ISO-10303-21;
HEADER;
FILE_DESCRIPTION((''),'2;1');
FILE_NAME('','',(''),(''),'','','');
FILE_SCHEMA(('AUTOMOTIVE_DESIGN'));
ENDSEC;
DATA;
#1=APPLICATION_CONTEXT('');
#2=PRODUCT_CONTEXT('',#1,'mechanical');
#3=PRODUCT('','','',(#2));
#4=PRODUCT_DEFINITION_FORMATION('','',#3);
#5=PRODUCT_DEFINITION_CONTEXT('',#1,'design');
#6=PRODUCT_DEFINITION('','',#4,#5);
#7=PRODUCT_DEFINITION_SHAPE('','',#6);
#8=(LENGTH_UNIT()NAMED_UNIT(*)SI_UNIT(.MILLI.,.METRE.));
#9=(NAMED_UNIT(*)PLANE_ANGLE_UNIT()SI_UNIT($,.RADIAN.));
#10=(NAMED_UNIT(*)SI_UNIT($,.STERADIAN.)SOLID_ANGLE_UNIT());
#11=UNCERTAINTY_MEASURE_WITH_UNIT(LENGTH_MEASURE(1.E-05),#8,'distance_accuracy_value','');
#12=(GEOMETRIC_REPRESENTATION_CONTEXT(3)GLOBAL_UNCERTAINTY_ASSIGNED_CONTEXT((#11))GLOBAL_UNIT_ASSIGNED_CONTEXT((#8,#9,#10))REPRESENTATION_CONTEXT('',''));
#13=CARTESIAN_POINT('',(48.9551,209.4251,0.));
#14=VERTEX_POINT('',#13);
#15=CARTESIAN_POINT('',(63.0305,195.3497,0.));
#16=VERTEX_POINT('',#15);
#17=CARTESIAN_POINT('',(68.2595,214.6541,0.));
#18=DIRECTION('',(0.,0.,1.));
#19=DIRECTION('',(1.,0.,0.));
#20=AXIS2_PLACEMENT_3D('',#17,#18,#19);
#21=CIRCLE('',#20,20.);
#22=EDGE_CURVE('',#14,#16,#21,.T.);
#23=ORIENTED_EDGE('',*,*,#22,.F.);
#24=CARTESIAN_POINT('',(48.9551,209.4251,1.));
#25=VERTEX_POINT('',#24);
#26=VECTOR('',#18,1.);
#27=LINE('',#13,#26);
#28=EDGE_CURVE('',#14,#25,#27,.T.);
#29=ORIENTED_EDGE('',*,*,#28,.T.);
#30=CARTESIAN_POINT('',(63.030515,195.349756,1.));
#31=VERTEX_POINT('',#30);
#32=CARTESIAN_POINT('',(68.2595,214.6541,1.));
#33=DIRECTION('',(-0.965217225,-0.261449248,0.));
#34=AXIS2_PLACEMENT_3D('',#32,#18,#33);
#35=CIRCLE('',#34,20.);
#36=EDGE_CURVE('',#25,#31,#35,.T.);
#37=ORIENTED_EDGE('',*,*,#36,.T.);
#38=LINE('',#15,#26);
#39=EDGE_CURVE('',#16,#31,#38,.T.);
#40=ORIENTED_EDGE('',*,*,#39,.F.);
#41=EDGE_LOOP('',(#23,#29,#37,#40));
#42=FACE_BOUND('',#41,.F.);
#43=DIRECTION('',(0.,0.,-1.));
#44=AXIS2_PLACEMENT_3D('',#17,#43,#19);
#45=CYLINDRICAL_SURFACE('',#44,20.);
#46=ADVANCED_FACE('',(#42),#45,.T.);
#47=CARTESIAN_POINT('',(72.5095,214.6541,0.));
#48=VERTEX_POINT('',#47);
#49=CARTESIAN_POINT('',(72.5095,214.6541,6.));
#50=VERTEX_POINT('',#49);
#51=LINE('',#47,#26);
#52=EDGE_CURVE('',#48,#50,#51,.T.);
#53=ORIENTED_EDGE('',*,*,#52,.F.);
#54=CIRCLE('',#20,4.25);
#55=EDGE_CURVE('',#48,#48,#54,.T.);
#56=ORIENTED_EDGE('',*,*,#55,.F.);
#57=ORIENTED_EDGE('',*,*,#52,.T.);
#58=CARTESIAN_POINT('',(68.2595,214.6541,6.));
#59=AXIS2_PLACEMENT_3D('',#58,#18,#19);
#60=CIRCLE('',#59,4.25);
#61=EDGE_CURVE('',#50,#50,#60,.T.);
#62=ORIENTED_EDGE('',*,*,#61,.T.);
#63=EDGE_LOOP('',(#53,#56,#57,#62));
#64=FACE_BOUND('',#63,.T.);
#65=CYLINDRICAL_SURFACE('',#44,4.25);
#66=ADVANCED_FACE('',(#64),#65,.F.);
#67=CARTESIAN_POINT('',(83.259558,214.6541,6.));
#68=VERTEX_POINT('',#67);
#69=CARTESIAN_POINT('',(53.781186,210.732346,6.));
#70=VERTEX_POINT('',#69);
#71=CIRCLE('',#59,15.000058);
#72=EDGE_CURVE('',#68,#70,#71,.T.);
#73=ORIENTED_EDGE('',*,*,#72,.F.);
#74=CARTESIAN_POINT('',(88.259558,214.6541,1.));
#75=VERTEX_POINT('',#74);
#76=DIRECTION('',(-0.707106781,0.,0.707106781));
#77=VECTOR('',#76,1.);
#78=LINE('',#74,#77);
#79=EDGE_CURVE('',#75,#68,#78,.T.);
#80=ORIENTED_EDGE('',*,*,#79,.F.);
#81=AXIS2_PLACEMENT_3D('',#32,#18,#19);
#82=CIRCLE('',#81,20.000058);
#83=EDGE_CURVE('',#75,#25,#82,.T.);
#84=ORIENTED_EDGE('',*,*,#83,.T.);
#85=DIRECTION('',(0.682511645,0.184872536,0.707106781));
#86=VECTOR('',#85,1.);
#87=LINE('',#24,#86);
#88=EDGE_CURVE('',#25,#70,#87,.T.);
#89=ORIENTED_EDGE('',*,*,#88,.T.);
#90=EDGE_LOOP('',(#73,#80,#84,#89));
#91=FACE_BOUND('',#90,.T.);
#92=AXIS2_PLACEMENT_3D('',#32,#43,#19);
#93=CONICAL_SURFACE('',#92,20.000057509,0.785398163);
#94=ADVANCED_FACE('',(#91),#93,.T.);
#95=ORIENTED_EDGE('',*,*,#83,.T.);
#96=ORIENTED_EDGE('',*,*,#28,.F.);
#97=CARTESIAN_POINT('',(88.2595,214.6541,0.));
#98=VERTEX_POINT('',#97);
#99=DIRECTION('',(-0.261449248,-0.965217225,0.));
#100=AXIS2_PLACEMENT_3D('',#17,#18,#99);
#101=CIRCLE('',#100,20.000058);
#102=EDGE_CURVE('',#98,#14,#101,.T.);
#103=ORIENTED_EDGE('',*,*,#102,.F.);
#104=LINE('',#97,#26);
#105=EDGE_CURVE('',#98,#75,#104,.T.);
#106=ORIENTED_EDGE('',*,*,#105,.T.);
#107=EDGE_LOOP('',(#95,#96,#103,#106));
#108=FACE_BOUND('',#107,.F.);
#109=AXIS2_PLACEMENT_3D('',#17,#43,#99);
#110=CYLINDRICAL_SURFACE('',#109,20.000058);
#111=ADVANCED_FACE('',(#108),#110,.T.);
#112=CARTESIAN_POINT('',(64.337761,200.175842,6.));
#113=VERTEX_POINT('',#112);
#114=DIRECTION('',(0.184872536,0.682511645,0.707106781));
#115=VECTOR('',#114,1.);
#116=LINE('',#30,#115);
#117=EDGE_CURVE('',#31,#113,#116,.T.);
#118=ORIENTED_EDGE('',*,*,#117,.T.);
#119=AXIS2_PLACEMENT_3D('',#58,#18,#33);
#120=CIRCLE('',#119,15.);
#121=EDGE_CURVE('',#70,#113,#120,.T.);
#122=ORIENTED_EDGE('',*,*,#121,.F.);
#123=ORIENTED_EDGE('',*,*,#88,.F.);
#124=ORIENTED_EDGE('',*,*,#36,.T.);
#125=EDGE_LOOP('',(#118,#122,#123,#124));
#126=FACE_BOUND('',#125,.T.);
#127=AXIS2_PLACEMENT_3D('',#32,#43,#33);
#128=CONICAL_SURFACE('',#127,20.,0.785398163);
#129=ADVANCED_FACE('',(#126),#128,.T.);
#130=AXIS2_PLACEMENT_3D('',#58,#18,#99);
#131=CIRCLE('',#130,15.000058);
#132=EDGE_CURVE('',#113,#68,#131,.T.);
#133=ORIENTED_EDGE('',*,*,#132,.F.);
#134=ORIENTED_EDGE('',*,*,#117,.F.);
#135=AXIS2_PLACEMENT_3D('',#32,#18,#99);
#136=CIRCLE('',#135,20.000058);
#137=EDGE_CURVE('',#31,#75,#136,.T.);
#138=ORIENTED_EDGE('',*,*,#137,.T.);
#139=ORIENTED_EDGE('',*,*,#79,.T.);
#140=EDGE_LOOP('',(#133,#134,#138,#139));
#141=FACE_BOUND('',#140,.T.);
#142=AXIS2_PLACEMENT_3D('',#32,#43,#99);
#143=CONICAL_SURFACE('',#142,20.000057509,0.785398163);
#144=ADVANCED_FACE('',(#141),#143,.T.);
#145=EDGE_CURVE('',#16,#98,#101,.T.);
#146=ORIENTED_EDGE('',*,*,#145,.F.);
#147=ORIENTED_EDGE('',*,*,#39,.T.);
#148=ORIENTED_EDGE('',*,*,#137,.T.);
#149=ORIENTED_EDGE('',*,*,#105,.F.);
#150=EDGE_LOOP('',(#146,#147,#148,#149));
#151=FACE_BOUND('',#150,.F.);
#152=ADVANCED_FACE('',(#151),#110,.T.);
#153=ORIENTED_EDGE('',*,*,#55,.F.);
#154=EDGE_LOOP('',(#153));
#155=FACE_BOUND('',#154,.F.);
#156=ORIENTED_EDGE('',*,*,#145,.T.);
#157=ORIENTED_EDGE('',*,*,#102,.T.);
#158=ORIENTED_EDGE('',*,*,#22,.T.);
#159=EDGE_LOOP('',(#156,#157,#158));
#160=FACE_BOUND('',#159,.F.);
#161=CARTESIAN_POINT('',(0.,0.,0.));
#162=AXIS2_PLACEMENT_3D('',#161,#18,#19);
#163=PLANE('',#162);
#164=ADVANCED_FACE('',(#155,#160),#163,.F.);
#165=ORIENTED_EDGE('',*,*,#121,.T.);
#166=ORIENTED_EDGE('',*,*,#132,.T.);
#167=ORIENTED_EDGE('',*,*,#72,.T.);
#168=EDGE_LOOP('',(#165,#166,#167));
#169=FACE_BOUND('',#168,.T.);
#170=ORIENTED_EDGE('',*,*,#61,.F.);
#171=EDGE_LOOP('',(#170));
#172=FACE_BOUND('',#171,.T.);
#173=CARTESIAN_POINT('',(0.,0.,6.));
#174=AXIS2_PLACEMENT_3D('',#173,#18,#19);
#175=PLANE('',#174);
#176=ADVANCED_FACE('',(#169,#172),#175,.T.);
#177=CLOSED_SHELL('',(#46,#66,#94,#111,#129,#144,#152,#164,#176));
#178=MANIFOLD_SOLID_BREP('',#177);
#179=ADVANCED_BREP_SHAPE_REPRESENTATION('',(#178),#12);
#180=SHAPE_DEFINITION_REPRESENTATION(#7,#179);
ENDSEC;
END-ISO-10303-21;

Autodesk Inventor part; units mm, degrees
ref_plane "YZ Plane" through (0, 0, 0) normal (1, 0, 0) x (0, 1, 0)
ref_plane "XZ Plane" through (0, 0, 0) normal (0, 1, 0) x (-1, 0, 0)
ref_plane "Work Plane1" through (0, 0, 0) normal (0, 0, 1) x (1, 0, 0)
sketch "Sketch1" plane through (0, 0, 0) normal (0, 0, 1) x (1, 0, 0)
  arc A0 (63.0305, 195.3497) -> (48.9551, 209.4251) centre (68.2595, 214.6541) ccw
  circle A1 centre (68.2595, 214.6541) radius 4.25
  circle A2 centre (68.2595, 214.6541) radius 20
  point P0 (0, 0)
  point P1 (28.2595, 174.6541)
  dimension "d1" = 40
  dimension "d2" = 8.5
extrude "Extrusion1" add sketch "Sketch1" along normal blind 6
chamfer "Chamfer1" distance 5 angle 45 1 edges at (82.4016, 228.7962, 6)
properties part number "plastic_wheel_washer"
